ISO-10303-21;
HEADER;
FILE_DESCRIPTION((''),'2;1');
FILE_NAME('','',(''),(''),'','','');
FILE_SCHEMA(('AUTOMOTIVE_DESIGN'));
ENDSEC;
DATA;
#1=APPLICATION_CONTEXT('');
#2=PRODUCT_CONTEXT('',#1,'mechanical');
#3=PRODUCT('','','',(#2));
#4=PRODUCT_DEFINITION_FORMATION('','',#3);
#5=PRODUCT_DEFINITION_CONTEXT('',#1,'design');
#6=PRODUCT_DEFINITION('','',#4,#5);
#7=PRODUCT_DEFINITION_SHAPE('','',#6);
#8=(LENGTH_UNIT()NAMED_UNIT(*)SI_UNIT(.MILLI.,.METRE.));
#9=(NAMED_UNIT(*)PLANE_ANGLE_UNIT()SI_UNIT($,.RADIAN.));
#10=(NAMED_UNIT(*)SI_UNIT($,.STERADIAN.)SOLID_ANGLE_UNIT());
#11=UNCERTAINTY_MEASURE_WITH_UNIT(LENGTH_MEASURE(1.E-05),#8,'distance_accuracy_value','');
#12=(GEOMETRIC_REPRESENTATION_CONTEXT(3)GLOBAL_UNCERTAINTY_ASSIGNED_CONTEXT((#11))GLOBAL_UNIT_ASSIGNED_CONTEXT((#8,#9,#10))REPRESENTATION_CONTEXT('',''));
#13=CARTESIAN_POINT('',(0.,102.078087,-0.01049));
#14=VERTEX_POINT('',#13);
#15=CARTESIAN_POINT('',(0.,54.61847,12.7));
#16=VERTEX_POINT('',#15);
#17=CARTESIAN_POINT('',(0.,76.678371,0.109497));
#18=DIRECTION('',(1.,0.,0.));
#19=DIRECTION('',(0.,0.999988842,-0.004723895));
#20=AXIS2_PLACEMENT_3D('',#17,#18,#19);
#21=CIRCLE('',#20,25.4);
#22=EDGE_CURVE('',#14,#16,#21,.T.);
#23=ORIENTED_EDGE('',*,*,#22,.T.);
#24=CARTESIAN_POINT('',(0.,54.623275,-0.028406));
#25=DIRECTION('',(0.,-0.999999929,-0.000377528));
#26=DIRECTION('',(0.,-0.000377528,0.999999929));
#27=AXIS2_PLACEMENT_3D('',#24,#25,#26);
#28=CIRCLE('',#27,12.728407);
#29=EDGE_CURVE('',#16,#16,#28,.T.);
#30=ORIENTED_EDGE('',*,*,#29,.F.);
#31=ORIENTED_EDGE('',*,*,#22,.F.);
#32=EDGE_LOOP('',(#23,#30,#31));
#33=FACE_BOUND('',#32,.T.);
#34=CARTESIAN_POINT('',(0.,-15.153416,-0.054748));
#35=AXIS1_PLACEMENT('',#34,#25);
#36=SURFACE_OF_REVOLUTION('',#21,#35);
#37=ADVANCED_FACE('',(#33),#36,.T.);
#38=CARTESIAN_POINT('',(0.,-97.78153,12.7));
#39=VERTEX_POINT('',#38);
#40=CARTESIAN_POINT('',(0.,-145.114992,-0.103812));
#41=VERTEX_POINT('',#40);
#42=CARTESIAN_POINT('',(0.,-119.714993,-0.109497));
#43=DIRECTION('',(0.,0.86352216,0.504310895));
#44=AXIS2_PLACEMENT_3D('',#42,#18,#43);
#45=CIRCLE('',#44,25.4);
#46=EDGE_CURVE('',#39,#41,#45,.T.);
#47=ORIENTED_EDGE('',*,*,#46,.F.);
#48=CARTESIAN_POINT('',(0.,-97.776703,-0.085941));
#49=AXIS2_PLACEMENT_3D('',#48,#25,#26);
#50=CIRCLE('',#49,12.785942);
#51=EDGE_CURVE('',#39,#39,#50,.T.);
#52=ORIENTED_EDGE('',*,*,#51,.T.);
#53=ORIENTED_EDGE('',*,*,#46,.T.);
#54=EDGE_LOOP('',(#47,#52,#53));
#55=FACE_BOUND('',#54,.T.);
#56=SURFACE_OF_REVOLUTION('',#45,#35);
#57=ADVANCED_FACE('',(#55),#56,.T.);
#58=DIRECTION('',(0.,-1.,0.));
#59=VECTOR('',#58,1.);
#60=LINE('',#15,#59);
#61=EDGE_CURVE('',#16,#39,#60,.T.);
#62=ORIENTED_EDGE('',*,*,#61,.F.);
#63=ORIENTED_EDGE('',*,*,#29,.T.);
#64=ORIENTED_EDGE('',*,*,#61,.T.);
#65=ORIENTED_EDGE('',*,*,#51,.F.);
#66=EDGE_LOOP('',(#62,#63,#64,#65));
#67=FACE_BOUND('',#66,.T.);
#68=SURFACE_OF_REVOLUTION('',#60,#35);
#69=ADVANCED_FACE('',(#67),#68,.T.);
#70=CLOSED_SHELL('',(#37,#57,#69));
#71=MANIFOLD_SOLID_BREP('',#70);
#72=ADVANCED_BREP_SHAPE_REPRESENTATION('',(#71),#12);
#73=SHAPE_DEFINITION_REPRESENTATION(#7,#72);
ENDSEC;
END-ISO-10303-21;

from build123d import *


with BuildPart() as f1:
    # F0 (on Right) → F1 (revolve)
    with BuildSketch(Plane.YZ):
        with BuildLine():
            Line((54.6184698647, 12.7), (-97.7815301353, 12.7))
            ThreePointArc((-97.7815301353, 12.7), (-126.3473849005, 24.4092996944), (-145.114992374, -0.1038124605))
            Line((-145.114992374, -0.1038124605), (102.0780873498, -0.0104902195))
            ThreePointArc((102.0780873498, -0.0104902195), (83.2493472907, 24.64482365), (54.6184698647, 12.7))
        make_face()
    revolve(axis=Axis((0, -15.1534155011, -0.0547483621), (0, -0.9999999287, -0.0003775277)))


solid = f1.part
